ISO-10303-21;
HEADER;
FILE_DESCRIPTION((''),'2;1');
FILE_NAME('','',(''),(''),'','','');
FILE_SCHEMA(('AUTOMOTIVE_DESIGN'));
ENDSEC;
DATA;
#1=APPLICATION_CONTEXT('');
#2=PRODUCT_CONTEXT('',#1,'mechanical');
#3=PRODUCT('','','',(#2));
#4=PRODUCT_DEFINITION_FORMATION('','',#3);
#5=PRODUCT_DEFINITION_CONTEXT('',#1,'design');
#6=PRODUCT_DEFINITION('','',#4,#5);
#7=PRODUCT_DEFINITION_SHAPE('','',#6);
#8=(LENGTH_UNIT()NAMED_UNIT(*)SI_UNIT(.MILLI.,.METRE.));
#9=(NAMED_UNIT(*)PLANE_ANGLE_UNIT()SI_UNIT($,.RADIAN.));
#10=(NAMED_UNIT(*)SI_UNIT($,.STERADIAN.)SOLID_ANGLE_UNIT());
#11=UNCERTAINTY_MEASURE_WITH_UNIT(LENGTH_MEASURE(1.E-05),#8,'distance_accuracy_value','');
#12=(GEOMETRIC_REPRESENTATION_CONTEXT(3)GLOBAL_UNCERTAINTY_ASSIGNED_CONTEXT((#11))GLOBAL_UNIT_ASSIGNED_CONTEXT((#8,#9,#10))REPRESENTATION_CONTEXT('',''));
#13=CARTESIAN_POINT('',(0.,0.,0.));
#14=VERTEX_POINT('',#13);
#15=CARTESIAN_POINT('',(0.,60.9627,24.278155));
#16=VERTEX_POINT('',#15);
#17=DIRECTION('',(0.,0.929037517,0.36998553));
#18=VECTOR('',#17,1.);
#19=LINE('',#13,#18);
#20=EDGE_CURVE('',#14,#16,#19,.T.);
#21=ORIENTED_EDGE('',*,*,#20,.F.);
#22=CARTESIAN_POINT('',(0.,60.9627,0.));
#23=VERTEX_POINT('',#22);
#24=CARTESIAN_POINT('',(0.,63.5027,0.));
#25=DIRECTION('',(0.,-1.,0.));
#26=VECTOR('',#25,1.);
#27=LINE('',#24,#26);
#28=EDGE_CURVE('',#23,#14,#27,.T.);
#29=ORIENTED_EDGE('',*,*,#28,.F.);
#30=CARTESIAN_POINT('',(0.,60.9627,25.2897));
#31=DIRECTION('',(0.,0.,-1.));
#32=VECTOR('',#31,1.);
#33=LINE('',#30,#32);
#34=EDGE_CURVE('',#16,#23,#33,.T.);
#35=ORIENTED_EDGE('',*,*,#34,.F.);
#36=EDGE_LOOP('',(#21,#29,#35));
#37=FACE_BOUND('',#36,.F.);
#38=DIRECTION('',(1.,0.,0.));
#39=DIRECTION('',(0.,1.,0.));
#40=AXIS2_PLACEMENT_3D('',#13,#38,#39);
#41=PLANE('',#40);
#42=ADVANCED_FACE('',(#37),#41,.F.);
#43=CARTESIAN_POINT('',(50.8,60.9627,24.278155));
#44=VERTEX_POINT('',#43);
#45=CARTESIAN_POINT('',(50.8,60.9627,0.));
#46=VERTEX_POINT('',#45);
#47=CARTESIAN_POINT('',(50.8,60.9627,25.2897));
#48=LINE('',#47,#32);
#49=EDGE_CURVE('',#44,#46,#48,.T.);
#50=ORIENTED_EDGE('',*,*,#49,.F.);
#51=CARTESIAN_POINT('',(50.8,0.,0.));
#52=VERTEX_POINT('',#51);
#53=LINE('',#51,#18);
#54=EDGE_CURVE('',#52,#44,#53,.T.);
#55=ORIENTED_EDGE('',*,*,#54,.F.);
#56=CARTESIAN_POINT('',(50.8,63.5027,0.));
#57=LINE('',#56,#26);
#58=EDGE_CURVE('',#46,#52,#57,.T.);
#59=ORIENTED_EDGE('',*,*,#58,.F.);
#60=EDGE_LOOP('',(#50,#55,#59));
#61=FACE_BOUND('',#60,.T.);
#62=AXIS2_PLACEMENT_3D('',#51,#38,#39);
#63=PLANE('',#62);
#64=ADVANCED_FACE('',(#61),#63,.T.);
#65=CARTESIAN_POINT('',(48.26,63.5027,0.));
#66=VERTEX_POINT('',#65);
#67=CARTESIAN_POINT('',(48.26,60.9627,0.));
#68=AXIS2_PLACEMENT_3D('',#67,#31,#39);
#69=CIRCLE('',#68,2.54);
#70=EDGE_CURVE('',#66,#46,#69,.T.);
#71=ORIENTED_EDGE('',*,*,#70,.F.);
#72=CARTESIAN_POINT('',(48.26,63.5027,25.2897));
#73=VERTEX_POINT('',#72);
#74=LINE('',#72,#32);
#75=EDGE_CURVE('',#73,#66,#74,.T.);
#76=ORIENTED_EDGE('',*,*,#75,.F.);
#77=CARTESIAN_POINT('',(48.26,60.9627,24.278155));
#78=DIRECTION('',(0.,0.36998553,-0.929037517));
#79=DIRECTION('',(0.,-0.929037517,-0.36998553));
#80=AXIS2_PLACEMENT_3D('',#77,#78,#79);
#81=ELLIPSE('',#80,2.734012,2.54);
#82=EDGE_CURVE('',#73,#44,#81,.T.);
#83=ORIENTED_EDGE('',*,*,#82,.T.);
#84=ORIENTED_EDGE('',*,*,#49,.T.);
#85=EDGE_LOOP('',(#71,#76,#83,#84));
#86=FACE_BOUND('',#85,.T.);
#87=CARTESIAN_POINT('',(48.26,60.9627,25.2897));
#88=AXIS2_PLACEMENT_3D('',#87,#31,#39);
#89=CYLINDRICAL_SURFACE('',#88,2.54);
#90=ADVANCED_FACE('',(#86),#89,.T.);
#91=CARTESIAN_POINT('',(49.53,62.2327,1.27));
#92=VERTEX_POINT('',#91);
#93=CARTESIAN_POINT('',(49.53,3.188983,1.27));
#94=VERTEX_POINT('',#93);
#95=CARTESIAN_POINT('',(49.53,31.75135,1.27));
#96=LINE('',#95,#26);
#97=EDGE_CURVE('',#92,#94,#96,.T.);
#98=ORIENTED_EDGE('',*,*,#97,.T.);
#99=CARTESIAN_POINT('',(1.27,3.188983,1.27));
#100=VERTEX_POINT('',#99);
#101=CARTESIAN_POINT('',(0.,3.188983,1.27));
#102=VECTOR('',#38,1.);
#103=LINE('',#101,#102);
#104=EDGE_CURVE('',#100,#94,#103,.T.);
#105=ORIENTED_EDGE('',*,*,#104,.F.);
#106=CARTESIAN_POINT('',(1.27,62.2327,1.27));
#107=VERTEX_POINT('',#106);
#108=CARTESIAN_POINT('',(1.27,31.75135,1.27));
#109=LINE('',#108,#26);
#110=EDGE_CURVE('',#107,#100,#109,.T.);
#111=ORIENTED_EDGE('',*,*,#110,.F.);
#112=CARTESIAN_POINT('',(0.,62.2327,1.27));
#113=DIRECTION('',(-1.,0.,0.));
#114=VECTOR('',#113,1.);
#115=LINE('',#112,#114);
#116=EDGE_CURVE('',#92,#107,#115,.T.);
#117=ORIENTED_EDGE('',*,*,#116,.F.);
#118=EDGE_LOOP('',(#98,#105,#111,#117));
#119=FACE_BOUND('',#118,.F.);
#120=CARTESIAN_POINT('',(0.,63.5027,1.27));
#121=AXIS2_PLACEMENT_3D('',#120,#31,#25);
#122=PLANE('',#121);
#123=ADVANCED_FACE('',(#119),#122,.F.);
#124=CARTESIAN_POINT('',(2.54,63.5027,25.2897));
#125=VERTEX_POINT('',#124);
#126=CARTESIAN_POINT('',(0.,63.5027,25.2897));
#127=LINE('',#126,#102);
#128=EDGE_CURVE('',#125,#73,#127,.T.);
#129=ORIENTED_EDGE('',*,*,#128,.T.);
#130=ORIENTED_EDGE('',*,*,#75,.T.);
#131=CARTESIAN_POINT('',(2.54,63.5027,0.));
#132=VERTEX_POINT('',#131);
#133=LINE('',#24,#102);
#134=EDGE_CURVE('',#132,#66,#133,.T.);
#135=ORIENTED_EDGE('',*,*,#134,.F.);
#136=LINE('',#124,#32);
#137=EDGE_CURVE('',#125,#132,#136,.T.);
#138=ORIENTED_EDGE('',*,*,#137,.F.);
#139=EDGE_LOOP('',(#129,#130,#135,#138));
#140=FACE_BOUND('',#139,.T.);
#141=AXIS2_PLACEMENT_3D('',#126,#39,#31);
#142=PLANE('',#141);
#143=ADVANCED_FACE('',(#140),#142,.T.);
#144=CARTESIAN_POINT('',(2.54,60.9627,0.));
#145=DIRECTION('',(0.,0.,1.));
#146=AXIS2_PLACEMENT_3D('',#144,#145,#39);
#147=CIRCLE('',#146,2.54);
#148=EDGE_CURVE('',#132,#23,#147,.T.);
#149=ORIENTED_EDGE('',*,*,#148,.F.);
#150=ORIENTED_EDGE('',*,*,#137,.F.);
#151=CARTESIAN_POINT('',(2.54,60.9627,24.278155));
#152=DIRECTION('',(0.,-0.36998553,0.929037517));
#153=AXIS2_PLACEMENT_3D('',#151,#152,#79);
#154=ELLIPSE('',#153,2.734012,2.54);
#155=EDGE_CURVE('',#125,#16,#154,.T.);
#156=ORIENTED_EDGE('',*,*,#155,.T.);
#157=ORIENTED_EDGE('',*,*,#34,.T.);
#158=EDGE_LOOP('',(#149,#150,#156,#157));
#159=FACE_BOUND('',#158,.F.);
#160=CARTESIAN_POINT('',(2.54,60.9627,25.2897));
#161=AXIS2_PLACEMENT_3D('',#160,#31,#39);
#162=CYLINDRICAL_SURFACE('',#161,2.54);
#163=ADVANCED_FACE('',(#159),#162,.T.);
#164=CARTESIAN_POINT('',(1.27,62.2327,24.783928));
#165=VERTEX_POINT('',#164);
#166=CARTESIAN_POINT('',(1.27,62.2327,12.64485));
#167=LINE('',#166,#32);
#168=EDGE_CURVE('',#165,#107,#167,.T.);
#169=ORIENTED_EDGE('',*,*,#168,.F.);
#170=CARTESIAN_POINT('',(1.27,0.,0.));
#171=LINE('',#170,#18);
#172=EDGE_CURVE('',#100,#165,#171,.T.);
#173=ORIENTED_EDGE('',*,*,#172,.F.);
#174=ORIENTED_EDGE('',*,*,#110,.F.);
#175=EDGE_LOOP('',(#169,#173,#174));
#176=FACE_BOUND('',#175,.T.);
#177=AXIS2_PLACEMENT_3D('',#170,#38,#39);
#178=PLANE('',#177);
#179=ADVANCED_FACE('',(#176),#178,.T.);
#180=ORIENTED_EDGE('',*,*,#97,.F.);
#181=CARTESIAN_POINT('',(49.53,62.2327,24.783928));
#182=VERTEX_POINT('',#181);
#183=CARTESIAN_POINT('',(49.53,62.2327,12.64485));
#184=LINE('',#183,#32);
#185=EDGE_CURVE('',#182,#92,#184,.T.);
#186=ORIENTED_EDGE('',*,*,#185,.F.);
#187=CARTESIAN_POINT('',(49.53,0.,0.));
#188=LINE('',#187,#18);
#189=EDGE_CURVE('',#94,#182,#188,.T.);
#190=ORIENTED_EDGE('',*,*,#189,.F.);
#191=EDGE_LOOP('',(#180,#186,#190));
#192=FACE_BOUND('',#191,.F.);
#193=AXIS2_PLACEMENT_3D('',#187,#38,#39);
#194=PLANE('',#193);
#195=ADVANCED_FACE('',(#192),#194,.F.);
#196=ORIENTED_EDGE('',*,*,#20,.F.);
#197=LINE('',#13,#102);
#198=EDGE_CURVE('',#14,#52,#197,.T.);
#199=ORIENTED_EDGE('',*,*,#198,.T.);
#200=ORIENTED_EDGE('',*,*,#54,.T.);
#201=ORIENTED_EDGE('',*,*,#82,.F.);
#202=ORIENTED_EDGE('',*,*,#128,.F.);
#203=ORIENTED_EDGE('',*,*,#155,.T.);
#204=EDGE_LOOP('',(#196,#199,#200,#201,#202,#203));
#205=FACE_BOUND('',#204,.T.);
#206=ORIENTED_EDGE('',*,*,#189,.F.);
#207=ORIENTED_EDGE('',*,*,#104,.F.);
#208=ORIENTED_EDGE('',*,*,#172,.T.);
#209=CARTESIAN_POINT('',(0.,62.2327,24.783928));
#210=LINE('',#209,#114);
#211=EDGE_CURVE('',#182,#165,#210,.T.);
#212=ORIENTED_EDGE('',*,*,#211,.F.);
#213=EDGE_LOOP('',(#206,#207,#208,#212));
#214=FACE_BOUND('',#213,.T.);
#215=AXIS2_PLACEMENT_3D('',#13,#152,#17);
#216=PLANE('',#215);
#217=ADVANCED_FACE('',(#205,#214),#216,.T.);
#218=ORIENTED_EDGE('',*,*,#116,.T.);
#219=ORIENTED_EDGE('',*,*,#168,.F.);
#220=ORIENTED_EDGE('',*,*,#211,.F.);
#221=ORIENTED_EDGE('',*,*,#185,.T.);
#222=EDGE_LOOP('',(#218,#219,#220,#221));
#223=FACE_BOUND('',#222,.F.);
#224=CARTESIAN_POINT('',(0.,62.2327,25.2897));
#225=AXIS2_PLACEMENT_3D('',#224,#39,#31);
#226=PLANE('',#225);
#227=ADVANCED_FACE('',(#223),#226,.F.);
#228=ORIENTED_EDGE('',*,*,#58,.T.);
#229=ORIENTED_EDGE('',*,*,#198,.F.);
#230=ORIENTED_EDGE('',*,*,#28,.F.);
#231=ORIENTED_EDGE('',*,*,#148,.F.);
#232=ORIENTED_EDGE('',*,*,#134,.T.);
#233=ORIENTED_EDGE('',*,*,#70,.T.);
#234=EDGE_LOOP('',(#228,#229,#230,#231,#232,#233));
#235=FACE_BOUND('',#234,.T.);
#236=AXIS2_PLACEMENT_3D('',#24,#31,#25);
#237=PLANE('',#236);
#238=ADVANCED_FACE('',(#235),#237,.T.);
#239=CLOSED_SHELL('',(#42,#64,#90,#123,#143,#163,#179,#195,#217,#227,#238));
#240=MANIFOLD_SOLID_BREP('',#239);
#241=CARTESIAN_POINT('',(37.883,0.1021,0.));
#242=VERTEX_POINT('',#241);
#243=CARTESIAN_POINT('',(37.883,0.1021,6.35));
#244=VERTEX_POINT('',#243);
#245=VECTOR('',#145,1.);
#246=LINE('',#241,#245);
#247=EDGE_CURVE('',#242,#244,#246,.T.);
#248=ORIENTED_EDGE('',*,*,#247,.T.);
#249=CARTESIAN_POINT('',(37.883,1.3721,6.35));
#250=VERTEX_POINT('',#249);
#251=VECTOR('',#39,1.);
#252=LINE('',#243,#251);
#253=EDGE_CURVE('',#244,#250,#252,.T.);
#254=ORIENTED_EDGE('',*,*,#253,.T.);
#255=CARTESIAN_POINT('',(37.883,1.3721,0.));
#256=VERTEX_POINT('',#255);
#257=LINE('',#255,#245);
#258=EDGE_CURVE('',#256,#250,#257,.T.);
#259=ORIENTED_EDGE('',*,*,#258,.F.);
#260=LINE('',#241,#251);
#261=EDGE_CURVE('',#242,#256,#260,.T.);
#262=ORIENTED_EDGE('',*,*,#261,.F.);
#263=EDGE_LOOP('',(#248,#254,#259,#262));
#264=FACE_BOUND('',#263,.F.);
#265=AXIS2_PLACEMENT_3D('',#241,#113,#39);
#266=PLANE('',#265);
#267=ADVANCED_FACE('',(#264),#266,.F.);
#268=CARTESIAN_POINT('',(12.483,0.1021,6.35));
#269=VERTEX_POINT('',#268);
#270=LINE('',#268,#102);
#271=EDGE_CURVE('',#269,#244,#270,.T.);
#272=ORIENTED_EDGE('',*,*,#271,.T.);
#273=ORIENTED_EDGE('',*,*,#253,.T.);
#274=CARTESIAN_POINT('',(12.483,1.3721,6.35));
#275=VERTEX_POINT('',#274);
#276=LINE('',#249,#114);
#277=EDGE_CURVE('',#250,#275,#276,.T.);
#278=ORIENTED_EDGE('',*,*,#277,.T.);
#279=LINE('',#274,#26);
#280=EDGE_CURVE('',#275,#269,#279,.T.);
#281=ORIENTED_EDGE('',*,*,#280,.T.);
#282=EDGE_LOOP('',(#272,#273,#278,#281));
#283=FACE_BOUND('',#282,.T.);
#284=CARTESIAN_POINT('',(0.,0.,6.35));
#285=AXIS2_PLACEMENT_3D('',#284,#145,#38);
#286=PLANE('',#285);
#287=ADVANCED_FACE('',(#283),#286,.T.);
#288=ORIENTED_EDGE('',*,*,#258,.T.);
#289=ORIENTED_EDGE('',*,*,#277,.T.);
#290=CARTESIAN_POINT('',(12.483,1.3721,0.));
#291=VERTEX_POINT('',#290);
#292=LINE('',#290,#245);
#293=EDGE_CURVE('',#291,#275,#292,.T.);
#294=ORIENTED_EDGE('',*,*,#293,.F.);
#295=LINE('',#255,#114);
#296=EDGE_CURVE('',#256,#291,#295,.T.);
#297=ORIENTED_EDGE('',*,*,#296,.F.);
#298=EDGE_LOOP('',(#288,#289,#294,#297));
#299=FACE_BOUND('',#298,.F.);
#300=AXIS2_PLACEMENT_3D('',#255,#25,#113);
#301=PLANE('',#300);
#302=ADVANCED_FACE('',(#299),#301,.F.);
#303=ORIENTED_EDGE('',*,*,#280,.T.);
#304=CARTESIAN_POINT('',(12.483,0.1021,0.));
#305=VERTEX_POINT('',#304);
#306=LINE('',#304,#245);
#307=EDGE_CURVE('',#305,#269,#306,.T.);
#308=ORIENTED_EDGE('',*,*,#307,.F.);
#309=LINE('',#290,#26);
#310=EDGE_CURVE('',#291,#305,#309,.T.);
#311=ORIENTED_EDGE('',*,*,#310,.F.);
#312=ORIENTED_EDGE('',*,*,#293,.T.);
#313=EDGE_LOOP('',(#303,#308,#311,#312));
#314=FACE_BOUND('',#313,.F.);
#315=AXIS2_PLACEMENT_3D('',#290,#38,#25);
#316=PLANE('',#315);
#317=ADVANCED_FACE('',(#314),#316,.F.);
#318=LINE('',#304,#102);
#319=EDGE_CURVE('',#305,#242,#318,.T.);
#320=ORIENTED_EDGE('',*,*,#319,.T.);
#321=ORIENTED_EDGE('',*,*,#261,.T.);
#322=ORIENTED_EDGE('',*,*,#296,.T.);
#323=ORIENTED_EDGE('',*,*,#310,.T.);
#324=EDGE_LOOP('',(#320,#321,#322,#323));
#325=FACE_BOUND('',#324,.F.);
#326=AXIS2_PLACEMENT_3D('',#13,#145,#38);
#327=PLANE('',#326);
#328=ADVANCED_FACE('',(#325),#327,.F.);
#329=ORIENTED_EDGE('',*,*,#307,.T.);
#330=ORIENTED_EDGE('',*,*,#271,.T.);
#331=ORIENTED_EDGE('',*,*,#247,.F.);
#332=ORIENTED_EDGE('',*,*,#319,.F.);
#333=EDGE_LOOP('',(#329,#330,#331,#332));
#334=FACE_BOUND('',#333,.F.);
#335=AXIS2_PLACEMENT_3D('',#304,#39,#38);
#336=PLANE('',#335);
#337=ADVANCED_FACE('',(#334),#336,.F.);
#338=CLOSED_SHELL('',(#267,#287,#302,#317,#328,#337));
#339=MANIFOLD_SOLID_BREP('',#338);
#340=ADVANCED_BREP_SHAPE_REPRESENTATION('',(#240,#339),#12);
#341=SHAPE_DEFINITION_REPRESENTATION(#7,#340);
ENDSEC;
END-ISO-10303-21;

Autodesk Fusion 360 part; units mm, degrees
sketch "Sketch1" plane through (0, 0, 0) normal (0, 0, 1) x (1, 0, 0)
  line L0 (0, 0) -> (52.7547, 0)
  line L1 (52.7547, 0) -> (52.7547, 76.2575)
  line L2 (52.7547, 76.2575) -> (0, 76.2575)
  line L3 (0, 76.2575) -> (0, 0)
sketch "Sketch2" plane through (0, 0, 0) normal (0, 0, 1) x (1, 0, 0)
  line L0 (0, 0) -> (38.1, 0)
  line L1 (38.1, 0) -> (38.1, 63.5)
  line L2 (38.1, 63.5) -> (0, 63.5)
  line L3 (0, 63.5) -> (0, 0)
  dimension "d6" = 38.1
  dimension "d7" = 63.5
sketch "Sketch3" plane through (0, 0, 0) normal (1, 0, 0) x (0, 1, 0)
  line L0 (0, 0) -> (63.5027, 25.2897)
  line L1 (63.5027, 25.2897) -> (63.5027, 0)
  line L2 (63.5027, 0) -> (0, 0)
extrude "Extrude3" add sketch "Sketch3" along normal blind 50.8 makes body 1
shell "Shell3" thickness 1.27 removed faces 1 at (16.9333, 21.1676, 8.4299) on bodies 1
fillet "Fillet2" radius 2.54 2 edges at (50.8, 63.5027, 12.6449) (0, 63.5027, 12.6449) on bodies 1
sketch "Sketch4" plane through (0, 0, 0) normal (0, 0, 1) x (1, 0, 0)
  line L0 (12.483, 0.1021) -> (37.883, 0.1021)
  line L1 (37.883, 0.1021) -> (37.883, 1.3721)
  line L2 (37.883, 1.3721) -> (12.483, 1.3721)
  line L3 (12.483, 1.3721) -> (12.483, 0.1021)
  dimension "d16" = 25.4
  dimension "d17" = 1.27
extrude "Extrude4" add sketch "Sketch4" along normal blind 6.35 separate body makes body 2
